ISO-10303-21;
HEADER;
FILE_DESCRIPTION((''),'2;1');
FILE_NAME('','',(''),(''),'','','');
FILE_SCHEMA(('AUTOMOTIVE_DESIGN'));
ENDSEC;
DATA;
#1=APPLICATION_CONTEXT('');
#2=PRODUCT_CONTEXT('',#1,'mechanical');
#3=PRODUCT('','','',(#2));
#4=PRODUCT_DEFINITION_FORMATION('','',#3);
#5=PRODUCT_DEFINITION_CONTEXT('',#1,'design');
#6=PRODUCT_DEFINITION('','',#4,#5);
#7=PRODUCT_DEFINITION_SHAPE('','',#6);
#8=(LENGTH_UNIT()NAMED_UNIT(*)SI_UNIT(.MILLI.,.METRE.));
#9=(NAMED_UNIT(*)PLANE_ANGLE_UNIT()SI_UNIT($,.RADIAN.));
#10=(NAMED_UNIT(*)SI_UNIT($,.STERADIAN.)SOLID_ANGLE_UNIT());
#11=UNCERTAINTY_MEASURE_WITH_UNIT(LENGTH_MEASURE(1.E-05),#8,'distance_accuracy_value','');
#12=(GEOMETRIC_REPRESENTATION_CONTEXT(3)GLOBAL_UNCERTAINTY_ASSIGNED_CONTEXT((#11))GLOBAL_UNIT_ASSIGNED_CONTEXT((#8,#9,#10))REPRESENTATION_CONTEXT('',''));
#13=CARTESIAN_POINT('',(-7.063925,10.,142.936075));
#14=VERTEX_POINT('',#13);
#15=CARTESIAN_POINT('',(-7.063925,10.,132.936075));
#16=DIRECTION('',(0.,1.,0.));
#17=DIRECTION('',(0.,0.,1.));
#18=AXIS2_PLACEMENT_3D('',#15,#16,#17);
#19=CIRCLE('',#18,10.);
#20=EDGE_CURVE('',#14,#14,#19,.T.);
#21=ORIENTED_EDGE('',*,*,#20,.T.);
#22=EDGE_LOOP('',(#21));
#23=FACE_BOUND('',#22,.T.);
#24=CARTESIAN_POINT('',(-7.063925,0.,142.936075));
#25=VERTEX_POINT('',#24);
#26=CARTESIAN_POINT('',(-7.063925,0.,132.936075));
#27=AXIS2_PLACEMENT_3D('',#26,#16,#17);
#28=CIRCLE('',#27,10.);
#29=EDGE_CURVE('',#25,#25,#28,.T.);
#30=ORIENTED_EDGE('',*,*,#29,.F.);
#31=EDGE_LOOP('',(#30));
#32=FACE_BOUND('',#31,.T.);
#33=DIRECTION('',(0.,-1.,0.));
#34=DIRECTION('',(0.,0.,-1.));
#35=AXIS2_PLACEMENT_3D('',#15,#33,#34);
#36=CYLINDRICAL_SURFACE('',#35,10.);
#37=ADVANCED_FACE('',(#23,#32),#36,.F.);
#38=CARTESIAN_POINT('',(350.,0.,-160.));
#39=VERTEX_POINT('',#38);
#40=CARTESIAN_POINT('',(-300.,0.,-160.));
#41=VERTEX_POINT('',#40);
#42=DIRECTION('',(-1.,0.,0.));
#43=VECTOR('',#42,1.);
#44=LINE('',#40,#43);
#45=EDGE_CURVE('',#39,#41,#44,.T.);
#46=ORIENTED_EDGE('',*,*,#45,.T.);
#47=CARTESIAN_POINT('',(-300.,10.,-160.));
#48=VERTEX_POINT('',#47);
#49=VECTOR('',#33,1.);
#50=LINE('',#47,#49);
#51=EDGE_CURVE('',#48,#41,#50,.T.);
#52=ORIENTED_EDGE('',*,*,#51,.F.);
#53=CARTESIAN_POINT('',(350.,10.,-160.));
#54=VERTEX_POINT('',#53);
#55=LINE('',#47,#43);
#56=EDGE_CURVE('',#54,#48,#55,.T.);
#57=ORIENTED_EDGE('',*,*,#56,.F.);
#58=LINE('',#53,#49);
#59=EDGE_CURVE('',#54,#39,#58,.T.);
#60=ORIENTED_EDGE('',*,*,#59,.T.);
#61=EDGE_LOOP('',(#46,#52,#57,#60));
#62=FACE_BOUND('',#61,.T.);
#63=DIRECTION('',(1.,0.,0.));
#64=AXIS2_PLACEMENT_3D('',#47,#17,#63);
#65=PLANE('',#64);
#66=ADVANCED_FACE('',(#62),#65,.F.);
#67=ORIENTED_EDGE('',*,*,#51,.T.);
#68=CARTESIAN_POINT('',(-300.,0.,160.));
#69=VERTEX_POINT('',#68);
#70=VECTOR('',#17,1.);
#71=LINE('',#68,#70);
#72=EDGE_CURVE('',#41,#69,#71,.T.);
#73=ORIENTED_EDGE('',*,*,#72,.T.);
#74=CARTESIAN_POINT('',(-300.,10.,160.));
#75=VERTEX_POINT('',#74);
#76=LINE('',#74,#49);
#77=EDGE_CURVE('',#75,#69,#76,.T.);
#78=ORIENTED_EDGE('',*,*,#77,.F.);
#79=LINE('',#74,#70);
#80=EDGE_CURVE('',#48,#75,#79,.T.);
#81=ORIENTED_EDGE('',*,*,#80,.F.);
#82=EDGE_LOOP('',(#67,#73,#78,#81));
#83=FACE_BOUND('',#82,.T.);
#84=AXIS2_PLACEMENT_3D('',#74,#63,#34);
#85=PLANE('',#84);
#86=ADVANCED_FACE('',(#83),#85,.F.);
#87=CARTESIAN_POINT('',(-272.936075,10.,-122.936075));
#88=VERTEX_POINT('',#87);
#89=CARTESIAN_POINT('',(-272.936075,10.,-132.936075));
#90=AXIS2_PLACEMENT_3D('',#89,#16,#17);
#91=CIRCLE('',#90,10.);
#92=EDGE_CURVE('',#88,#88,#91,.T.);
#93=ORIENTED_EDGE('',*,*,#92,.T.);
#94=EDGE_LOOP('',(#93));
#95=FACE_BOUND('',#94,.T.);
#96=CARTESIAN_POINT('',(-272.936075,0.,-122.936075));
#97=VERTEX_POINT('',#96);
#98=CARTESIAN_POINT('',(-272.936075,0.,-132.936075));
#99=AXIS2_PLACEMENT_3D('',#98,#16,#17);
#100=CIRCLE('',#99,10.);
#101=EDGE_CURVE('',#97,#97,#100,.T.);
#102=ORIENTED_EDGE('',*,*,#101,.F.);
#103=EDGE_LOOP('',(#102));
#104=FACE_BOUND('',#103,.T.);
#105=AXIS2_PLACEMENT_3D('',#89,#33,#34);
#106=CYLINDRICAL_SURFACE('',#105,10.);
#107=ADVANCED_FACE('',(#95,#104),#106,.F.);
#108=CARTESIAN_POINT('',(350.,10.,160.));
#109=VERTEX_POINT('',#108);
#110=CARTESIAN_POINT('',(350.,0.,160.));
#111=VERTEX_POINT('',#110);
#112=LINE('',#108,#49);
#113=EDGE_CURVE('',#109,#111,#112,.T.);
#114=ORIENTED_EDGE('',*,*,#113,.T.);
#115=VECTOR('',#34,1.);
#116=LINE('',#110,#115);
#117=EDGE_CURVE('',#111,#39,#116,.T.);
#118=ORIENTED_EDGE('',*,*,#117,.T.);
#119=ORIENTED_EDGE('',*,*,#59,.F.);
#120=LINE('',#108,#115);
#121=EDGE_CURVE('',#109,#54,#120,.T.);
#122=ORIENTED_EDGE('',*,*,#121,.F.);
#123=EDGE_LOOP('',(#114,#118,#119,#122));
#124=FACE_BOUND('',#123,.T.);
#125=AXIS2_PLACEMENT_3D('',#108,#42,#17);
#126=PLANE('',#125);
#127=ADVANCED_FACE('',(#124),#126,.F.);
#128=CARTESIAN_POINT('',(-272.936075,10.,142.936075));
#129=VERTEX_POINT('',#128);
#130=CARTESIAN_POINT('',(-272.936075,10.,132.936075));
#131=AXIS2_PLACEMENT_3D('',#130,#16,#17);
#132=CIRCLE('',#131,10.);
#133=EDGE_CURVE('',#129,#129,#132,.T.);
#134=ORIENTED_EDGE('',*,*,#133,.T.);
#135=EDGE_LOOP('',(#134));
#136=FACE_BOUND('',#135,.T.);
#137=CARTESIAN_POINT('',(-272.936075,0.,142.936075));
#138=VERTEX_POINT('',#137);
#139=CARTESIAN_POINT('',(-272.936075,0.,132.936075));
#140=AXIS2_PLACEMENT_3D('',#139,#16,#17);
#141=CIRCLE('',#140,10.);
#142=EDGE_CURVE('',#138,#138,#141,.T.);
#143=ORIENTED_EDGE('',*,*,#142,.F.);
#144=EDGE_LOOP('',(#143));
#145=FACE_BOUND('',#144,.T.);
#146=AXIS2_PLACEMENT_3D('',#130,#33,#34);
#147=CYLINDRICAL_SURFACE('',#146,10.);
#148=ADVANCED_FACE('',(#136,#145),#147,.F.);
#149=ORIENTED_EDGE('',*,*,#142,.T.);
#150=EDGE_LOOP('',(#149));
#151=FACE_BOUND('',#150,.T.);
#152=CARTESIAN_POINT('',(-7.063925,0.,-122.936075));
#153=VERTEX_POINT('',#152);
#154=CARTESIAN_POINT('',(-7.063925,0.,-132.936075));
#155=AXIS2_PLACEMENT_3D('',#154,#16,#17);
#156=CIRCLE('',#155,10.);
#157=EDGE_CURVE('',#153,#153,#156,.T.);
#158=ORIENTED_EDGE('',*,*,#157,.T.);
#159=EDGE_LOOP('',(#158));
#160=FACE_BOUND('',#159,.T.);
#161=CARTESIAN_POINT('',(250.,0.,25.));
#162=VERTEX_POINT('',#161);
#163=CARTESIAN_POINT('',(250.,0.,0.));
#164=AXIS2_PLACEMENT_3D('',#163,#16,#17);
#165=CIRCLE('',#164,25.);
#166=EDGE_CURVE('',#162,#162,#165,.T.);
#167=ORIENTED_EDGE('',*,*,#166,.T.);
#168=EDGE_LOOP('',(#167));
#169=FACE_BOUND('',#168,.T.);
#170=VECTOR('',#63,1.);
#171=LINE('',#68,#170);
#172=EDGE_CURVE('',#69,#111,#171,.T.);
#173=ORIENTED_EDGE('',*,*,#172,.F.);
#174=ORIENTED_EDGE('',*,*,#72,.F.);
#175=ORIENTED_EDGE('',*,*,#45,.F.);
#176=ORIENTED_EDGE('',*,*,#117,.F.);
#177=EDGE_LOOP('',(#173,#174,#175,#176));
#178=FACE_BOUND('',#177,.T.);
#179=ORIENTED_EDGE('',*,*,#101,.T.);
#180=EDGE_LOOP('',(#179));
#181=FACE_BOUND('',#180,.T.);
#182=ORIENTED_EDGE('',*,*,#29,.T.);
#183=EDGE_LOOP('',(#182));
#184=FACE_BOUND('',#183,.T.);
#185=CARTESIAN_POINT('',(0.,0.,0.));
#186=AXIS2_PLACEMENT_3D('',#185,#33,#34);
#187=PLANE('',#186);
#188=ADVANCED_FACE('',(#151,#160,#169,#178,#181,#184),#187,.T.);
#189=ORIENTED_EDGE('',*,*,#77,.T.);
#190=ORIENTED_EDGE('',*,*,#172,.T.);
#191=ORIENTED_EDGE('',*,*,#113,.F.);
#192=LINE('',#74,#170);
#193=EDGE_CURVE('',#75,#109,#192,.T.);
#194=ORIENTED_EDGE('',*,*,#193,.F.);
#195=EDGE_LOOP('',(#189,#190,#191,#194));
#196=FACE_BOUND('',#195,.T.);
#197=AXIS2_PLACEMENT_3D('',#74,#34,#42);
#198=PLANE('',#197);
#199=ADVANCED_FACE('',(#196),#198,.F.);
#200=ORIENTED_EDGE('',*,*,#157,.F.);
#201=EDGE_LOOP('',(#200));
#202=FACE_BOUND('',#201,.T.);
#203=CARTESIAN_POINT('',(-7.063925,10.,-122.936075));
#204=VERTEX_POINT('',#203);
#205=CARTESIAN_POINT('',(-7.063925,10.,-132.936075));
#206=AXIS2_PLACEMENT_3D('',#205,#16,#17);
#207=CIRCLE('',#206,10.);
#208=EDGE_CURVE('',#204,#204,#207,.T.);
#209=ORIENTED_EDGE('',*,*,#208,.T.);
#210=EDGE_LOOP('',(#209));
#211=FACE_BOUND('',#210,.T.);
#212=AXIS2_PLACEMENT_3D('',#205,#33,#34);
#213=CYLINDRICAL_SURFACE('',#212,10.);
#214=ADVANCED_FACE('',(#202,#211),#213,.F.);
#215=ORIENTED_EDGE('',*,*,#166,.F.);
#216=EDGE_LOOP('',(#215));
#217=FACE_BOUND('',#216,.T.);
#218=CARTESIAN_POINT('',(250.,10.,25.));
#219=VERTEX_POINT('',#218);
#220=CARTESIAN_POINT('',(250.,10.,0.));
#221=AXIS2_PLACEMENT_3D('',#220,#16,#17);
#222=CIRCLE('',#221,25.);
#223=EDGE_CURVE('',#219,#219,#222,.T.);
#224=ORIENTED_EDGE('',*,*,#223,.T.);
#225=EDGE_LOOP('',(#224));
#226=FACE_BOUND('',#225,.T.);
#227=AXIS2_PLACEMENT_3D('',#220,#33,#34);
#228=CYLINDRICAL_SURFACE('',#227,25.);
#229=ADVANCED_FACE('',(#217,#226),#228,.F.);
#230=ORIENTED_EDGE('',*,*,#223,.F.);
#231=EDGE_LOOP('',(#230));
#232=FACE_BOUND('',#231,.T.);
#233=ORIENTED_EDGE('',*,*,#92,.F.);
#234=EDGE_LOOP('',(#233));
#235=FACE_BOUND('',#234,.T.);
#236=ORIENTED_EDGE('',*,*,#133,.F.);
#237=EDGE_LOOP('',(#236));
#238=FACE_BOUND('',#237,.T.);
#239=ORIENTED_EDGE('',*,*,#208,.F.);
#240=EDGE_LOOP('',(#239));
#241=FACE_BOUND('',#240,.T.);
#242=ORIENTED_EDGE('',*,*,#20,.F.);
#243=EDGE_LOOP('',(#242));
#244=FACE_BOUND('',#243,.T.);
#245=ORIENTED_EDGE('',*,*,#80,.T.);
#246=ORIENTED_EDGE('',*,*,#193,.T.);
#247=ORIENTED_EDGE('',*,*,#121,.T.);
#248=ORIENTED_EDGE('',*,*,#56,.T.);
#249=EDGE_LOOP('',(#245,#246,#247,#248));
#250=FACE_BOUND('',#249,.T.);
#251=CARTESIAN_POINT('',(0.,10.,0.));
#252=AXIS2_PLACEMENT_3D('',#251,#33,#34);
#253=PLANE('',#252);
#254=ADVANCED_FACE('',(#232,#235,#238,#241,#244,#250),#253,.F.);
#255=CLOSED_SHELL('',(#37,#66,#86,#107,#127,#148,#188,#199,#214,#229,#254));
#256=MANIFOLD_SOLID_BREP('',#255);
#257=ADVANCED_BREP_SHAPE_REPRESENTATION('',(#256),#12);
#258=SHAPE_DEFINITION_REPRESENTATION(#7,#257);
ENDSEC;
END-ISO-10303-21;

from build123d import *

# Parameters (mm, degrees)
CROQUIS1_W              = 650
CROQUIS1_H              = 320
CROQUIS1_R              = 10
CROQUIS1_R_2            = 25
SALIENTE_EXTRUIR1_DEPTH = 10


with BuildPart() as part:
    # Croquis1 → Saliente-Extruir1 (new body)
    with BuildSketch(Plane(origin=(0, 0, 0), x_dir=(1, 0, 0), z_dir=(0, 1, 0))):
        with Locations((25, 0)):
            Rectangle(CROQUIS1_W, CROQUIS1_H)
        with Locations((-272.936074863, 132.936074863)):
            Circle(CROQUIS1_R, mode=Mode.SUBTRACT)
        with Locations((-7.063925137, 132.936074863)):
            Circle(CROQUIS1_R, mode=Mode.SUBTRACT)
        with Locations((-7.063925137, -132.936074863)):
            Circle(CROQUIS1_R, mode=Mode.SUBTRACT)
        with Locations((-272.936074863, -132.936074863)):
            Circle(CROQUIS1_R, mode=Mode.SUBTRACT)
        with Locations((250, 0)):
            Circle(CROQUIS1_R_2, mode=Mode.SUBTRACT)
    extrude(amount=SALIENTE_EXTRUIR1_DEPTH)


solid = part.part
